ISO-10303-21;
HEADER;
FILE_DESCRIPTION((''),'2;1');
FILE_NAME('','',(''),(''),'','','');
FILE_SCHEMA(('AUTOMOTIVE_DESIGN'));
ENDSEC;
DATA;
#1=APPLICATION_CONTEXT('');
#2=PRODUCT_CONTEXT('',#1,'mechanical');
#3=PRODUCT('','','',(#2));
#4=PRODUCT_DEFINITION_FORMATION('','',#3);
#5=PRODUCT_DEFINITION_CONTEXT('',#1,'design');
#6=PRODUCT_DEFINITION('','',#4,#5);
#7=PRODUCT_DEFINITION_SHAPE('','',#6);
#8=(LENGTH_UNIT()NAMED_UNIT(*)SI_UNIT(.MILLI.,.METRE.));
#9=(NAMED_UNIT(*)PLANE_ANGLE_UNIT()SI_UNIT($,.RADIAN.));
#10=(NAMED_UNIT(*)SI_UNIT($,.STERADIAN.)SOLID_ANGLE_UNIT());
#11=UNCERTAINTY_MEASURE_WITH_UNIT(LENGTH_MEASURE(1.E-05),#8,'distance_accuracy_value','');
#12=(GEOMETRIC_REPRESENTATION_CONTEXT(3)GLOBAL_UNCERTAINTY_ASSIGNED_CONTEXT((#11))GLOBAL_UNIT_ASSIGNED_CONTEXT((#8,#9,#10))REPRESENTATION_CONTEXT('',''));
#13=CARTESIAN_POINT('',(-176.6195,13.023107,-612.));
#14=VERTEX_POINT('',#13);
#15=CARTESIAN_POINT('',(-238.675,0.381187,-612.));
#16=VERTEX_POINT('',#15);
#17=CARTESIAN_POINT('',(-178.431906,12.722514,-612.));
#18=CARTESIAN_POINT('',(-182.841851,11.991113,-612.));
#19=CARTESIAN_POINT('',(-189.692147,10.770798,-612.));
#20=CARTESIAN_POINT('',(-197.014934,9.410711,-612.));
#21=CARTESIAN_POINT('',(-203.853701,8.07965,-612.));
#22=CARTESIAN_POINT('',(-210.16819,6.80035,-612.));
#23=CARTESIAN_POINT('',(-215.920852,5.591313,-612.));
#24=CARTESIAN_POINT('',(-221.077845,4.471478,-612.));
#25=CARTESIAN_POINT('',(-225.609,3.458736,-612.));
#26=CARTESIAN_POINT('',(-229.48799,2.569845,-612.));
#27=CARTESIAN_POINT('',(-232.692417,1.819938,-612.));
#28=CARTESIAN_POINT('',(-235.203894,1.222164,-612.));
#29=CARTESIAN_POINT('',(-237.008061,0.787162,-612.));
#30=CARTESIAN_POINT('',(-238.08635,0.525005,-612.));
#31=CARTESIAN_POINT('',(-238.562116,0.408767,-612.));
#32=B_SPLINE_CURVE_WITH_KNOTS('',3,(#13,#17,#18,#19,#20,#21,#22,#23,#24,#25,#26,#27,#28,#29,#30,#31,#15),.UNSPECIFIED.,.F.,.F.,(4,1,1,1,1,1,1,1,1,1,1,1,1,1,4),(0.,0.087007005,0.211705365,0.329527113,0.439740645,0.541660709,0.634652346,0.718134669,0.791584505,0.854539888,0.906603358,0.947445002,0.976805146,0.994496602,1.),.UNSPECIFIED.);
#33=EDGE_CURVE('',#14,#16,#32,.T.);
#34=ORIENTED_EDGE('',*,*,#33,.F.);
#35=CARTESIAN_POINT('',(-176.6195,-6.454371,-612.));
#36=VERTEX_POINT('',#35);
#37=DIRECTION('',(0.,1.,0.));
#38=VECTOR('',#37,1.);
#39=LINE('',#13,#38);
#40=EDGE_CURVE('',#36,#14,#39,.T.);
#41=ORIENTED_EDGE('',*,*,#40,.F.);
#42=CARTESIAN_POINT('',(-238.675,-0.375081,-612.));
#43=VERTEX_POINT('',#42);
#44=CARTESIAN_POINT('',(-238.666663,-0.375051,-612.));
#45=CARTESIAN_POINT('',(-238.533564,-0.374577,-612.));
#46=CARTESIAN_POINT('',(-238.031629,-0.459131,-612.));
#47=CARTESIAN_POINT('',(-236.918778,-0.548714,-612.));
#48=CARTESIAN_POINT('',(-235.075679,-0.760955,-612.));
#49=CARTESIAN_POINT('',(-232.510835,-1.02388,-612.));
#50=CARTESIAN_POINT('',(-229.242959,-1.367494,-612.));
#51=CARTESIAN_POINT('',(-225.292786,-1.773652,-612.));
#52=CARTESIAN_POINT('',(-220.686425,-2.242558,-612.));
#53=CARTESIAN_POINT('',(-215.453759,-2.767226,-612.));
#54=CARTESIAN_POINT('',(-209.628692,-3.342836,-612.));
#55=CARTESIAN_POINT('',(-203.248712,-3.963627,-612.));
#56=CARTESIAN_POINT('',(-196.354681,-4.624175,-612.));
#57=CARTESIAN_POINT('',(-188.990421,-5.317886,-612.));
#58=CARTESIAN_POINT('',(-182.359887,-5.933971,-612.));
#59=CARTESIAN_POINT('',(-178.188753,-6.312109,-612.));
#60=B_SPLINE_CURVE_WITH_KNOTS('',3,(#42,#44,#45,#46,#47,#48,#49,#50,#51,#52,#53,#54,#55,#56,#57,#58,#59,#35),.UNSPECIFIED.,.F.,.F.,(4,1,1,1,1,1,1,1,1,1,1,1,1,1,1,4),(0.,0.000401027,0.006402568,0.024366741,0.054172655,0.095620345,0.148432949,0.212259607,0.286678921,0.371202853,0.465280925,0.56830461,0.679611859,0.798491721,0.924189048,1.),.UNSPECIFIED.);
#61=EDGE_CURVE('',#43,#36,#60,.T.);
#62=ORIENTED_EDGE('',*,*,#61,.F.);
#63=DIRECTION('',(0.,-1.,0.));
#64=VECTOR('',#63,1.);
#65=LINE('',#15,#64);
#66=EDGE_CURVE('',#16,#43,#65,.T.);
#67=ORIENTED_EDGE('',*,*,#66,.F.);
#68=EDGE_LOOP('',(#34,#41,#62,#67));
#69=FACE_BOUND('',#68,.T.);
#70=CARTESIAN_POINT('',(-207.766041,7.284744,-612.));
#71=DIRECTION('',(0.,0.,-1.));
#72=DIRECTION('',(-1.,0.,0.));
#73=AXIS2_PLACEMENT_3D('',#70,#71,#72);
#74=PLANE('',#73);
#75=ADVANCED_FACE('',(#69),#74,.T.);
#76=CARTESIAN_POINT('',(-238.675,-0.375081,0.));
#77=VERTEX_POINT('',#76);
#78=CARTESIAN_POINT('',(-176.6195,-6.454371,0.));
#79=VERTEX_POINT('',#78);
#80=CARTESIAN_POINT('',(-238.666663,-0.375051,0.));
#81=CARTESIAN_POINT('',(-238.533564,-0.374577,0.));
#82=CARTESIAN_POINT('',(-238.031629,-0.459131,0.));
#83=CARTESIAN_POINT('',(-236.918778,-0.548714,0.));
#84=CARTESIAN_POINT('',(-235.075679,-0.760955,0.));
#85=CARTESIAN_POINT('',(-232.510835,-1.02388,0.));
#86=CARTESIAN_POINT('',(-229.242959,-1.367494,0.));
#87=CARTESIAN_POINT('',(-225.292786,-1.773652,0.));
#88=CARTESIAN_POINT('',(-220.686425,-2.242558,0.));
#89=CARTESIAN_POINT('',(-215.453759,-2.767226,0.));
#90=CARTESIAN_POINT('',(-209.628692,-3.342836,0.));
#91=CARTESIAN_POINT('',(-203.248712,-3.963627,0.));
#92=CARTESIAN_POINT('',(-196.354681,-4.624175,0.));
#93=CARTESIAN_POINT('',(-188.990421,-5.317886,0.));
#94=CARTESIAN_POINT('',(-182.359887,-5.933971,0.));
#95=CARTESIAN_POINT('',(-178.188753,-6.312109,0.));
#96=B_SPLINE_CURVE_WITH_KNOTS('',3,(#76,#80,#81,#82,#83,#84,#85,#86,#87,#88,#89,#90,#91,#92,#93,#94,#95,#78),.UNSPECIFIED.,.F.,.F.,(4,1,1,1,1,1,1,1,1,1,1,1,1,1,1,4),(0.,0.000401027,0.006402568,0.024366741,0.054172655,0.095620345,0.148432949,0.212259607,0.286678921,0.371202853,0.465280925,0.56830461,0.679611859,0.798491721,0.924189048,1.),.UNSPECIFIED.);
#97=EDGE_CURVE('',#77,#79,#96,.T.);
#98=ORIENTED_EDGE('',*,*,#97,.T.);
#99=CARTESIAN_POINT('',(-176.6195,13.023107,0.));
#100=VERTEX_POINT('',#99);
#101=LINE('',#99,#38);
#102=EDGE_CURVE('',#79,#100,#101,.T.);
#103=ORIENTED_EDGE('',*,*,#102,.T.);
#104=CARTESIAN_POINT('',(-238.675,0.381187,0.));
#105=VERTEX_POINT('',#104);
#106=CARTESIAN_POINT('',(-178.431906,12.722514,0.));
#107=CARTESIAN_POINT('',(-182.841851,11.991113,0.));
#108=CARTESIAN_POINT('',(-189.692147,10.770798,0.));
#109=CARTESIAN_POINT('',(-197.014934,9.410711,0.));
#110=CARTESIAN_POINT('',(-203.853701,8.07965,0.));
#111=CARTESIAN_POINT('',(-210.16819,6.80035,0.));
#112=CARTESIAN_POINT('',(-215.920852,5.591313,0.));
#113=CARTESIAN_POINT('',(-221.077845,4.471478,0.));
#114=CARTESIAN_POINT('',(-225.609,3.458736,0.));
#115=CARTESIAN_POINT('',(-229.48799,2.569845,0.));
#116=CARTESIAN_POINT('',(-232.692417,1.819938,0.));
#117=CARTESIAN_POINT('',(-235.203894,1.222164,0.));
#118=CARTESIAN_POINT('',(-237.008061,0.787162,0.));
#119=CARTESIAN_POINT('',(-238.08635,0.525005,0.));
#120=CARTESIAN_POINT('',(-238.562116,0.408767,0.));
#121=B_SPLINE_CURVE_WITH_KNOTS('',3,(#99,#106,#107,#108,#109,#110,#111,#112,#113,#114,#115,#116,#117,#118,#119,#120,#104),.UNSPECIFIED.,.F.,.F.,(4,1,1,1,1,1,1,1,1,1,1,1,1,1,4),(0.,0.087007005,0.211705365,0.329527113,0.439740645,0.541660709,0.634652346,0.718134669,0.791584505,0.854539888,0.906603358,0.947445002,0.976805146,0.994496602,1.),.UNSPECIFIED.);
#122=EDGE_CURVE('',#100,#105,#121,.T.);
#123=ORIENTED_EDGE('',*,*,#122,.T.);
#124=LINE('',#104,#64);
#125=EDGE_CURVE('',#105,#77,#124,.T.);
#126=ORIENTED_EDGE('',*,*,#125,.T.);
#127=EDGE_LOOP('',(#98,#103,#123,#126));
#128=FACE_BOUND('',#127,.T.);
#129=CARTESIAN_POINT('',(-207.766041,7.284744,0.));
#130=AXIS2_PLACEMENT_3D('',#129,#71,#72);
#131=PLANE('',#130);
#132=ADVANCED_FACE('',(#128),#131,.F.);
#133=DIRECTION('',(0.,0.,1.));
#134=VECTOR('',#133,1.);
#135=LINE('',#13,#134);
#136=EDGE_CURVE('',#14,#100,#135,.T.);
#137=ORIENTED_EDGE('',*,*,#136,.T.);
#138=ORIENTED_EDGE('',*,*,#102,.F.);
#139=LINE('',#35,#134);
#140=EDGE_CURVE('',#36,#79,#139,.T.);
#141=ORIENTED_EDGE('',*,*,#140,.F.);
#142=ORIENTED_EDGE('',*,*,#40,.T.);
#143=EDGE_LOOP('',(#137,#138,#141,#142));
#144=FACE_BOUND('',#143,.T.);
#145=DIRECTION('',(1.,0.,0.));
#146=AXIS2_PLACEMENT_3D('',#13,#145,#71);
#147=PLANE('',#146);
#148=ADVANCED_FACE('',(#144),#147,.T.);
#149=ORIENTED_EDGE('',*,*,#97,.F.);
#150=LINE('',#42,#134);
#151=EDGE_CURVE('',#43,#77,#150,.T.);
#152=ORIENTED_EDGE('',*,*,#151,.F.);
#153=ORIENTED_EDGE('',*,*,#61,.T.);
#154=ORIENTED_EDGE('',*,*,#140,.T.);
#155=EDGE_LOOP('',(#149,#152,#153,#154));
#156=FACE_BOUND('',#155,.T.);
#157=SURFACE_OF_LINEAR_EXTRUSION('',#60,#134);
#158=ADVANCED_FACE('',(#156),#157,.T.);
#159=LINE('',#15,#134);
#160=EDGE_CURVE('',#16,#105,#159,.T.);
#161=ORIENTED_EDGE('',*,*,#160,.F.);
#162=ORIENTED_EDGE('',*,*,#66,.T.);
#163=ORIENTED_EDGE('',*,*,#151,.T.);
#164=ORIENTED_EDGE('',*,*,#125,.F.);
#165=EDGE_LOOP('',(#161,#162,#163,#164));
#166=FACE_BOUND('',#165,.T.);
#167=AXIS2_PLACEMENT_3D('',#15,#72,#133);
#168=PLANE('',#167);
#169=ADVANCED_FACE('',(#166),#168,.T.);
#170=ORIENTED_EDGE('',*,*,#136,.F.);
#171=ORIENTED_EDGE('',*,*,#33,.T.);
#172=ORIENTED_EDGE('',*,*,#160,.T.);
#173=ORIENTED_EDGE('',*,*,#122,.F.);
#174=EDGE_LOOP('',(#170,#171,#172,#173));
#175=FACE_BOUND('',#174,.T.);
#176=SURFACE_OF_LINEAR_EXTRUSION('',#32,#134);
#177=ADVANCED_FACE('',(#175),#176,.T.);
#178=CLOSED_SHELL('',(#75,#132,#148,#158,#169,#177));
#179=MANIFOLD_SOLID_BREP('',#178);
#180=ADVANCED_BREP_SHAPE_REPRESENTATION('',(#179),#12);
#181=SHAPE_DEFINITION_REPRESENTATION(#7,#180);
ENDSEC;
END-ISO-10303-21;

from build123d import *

# Parameters (mm, degrees)
BOSS_EXTRUDE1_DEPTH = 612


with BuildPart() as part:
    # Sketch1 → Boss-Extrude1 (new body)
    with BuildSketch(Plane.XY):
        with BuildLine():
            Line((-176.6195, 13.023106532), (-176.6195, -6.454370506))
            add(Edge.make_bspline(
                [(-176.6195, -6.454370506), (-178.188753482, -6.312108504), (-182.359886546, -5.933970906), (-188.990421054, -5.317886092), (-196.354680808, -4.624175058), (-203.248712282, -3.963626977), (-209.62869232, -3.342836229), (-215.453758548, -2.767226084), (-220.686424709, -2.242558309), (-225.292785947, -1.773651832), (-229.242958683, -1.367494124), (-232.510834876, -1.023880308), (-235.075678546, -0.760955177), (-236.918777596, -0.548714441), (-238.031628616, -0.459131063), (-238.533564191, -0.37457711), (-238.666663293, -0.375050863), (-238.675, -0.375080537)],
                knots=[0, 0, 0, 0, 0.075810952, 0.201508279, 0.320388141, 0.43169539, 0.534719075, 0.628797147, 0.713321079, 0.787740393, 0.851567051, 0.904379655, 0.945827345, 0.975633259, 0.993597432, 0.999598973, 1, 1, 1, 1], degree=3))
            Line((-238.675, -0.375080537), (-238.675, 0.381187438))
            add(Edge.make_bspline(
                [(-176.6195, 13.023106532), (-178.431906242, 12.722514089), (-182.841851447, 11.991112834), (-189.692146989, 10.770798), (-197.014934224, 9.410710515), (-203.85370055, 8.079649627), (-210.168190111, 6.800350463), (-215.920851847, 5.591313194), (-221.077844998, 4.471477539), (-225.608999593, 3.458735797), (-229.487989995, 2.569844864), (-232.692417393, 1.819938109), (-235.203893789, 1.222163619), (-237.008061317, 0.787162185), (-238.08635023, 0.525005253), (-238.562115977, 0.408767052), (-238.675, 0.381187438)],
                knots=[0, 0, 0, 0, 0.087007005, 0.211705365, 0.329527113, 0.439740645, 0.541660709, 0.634652346, 0.718134669, 0.791584505, 0.854539888, 0.906603358, 0.947445002, 0.976805146, 0.994496602, 1, 1, 1, 1], degree=3))
        make_face()
    extrude(amount=-BOSS_EXTRUDE1_DEPTH)


solid = part.part
